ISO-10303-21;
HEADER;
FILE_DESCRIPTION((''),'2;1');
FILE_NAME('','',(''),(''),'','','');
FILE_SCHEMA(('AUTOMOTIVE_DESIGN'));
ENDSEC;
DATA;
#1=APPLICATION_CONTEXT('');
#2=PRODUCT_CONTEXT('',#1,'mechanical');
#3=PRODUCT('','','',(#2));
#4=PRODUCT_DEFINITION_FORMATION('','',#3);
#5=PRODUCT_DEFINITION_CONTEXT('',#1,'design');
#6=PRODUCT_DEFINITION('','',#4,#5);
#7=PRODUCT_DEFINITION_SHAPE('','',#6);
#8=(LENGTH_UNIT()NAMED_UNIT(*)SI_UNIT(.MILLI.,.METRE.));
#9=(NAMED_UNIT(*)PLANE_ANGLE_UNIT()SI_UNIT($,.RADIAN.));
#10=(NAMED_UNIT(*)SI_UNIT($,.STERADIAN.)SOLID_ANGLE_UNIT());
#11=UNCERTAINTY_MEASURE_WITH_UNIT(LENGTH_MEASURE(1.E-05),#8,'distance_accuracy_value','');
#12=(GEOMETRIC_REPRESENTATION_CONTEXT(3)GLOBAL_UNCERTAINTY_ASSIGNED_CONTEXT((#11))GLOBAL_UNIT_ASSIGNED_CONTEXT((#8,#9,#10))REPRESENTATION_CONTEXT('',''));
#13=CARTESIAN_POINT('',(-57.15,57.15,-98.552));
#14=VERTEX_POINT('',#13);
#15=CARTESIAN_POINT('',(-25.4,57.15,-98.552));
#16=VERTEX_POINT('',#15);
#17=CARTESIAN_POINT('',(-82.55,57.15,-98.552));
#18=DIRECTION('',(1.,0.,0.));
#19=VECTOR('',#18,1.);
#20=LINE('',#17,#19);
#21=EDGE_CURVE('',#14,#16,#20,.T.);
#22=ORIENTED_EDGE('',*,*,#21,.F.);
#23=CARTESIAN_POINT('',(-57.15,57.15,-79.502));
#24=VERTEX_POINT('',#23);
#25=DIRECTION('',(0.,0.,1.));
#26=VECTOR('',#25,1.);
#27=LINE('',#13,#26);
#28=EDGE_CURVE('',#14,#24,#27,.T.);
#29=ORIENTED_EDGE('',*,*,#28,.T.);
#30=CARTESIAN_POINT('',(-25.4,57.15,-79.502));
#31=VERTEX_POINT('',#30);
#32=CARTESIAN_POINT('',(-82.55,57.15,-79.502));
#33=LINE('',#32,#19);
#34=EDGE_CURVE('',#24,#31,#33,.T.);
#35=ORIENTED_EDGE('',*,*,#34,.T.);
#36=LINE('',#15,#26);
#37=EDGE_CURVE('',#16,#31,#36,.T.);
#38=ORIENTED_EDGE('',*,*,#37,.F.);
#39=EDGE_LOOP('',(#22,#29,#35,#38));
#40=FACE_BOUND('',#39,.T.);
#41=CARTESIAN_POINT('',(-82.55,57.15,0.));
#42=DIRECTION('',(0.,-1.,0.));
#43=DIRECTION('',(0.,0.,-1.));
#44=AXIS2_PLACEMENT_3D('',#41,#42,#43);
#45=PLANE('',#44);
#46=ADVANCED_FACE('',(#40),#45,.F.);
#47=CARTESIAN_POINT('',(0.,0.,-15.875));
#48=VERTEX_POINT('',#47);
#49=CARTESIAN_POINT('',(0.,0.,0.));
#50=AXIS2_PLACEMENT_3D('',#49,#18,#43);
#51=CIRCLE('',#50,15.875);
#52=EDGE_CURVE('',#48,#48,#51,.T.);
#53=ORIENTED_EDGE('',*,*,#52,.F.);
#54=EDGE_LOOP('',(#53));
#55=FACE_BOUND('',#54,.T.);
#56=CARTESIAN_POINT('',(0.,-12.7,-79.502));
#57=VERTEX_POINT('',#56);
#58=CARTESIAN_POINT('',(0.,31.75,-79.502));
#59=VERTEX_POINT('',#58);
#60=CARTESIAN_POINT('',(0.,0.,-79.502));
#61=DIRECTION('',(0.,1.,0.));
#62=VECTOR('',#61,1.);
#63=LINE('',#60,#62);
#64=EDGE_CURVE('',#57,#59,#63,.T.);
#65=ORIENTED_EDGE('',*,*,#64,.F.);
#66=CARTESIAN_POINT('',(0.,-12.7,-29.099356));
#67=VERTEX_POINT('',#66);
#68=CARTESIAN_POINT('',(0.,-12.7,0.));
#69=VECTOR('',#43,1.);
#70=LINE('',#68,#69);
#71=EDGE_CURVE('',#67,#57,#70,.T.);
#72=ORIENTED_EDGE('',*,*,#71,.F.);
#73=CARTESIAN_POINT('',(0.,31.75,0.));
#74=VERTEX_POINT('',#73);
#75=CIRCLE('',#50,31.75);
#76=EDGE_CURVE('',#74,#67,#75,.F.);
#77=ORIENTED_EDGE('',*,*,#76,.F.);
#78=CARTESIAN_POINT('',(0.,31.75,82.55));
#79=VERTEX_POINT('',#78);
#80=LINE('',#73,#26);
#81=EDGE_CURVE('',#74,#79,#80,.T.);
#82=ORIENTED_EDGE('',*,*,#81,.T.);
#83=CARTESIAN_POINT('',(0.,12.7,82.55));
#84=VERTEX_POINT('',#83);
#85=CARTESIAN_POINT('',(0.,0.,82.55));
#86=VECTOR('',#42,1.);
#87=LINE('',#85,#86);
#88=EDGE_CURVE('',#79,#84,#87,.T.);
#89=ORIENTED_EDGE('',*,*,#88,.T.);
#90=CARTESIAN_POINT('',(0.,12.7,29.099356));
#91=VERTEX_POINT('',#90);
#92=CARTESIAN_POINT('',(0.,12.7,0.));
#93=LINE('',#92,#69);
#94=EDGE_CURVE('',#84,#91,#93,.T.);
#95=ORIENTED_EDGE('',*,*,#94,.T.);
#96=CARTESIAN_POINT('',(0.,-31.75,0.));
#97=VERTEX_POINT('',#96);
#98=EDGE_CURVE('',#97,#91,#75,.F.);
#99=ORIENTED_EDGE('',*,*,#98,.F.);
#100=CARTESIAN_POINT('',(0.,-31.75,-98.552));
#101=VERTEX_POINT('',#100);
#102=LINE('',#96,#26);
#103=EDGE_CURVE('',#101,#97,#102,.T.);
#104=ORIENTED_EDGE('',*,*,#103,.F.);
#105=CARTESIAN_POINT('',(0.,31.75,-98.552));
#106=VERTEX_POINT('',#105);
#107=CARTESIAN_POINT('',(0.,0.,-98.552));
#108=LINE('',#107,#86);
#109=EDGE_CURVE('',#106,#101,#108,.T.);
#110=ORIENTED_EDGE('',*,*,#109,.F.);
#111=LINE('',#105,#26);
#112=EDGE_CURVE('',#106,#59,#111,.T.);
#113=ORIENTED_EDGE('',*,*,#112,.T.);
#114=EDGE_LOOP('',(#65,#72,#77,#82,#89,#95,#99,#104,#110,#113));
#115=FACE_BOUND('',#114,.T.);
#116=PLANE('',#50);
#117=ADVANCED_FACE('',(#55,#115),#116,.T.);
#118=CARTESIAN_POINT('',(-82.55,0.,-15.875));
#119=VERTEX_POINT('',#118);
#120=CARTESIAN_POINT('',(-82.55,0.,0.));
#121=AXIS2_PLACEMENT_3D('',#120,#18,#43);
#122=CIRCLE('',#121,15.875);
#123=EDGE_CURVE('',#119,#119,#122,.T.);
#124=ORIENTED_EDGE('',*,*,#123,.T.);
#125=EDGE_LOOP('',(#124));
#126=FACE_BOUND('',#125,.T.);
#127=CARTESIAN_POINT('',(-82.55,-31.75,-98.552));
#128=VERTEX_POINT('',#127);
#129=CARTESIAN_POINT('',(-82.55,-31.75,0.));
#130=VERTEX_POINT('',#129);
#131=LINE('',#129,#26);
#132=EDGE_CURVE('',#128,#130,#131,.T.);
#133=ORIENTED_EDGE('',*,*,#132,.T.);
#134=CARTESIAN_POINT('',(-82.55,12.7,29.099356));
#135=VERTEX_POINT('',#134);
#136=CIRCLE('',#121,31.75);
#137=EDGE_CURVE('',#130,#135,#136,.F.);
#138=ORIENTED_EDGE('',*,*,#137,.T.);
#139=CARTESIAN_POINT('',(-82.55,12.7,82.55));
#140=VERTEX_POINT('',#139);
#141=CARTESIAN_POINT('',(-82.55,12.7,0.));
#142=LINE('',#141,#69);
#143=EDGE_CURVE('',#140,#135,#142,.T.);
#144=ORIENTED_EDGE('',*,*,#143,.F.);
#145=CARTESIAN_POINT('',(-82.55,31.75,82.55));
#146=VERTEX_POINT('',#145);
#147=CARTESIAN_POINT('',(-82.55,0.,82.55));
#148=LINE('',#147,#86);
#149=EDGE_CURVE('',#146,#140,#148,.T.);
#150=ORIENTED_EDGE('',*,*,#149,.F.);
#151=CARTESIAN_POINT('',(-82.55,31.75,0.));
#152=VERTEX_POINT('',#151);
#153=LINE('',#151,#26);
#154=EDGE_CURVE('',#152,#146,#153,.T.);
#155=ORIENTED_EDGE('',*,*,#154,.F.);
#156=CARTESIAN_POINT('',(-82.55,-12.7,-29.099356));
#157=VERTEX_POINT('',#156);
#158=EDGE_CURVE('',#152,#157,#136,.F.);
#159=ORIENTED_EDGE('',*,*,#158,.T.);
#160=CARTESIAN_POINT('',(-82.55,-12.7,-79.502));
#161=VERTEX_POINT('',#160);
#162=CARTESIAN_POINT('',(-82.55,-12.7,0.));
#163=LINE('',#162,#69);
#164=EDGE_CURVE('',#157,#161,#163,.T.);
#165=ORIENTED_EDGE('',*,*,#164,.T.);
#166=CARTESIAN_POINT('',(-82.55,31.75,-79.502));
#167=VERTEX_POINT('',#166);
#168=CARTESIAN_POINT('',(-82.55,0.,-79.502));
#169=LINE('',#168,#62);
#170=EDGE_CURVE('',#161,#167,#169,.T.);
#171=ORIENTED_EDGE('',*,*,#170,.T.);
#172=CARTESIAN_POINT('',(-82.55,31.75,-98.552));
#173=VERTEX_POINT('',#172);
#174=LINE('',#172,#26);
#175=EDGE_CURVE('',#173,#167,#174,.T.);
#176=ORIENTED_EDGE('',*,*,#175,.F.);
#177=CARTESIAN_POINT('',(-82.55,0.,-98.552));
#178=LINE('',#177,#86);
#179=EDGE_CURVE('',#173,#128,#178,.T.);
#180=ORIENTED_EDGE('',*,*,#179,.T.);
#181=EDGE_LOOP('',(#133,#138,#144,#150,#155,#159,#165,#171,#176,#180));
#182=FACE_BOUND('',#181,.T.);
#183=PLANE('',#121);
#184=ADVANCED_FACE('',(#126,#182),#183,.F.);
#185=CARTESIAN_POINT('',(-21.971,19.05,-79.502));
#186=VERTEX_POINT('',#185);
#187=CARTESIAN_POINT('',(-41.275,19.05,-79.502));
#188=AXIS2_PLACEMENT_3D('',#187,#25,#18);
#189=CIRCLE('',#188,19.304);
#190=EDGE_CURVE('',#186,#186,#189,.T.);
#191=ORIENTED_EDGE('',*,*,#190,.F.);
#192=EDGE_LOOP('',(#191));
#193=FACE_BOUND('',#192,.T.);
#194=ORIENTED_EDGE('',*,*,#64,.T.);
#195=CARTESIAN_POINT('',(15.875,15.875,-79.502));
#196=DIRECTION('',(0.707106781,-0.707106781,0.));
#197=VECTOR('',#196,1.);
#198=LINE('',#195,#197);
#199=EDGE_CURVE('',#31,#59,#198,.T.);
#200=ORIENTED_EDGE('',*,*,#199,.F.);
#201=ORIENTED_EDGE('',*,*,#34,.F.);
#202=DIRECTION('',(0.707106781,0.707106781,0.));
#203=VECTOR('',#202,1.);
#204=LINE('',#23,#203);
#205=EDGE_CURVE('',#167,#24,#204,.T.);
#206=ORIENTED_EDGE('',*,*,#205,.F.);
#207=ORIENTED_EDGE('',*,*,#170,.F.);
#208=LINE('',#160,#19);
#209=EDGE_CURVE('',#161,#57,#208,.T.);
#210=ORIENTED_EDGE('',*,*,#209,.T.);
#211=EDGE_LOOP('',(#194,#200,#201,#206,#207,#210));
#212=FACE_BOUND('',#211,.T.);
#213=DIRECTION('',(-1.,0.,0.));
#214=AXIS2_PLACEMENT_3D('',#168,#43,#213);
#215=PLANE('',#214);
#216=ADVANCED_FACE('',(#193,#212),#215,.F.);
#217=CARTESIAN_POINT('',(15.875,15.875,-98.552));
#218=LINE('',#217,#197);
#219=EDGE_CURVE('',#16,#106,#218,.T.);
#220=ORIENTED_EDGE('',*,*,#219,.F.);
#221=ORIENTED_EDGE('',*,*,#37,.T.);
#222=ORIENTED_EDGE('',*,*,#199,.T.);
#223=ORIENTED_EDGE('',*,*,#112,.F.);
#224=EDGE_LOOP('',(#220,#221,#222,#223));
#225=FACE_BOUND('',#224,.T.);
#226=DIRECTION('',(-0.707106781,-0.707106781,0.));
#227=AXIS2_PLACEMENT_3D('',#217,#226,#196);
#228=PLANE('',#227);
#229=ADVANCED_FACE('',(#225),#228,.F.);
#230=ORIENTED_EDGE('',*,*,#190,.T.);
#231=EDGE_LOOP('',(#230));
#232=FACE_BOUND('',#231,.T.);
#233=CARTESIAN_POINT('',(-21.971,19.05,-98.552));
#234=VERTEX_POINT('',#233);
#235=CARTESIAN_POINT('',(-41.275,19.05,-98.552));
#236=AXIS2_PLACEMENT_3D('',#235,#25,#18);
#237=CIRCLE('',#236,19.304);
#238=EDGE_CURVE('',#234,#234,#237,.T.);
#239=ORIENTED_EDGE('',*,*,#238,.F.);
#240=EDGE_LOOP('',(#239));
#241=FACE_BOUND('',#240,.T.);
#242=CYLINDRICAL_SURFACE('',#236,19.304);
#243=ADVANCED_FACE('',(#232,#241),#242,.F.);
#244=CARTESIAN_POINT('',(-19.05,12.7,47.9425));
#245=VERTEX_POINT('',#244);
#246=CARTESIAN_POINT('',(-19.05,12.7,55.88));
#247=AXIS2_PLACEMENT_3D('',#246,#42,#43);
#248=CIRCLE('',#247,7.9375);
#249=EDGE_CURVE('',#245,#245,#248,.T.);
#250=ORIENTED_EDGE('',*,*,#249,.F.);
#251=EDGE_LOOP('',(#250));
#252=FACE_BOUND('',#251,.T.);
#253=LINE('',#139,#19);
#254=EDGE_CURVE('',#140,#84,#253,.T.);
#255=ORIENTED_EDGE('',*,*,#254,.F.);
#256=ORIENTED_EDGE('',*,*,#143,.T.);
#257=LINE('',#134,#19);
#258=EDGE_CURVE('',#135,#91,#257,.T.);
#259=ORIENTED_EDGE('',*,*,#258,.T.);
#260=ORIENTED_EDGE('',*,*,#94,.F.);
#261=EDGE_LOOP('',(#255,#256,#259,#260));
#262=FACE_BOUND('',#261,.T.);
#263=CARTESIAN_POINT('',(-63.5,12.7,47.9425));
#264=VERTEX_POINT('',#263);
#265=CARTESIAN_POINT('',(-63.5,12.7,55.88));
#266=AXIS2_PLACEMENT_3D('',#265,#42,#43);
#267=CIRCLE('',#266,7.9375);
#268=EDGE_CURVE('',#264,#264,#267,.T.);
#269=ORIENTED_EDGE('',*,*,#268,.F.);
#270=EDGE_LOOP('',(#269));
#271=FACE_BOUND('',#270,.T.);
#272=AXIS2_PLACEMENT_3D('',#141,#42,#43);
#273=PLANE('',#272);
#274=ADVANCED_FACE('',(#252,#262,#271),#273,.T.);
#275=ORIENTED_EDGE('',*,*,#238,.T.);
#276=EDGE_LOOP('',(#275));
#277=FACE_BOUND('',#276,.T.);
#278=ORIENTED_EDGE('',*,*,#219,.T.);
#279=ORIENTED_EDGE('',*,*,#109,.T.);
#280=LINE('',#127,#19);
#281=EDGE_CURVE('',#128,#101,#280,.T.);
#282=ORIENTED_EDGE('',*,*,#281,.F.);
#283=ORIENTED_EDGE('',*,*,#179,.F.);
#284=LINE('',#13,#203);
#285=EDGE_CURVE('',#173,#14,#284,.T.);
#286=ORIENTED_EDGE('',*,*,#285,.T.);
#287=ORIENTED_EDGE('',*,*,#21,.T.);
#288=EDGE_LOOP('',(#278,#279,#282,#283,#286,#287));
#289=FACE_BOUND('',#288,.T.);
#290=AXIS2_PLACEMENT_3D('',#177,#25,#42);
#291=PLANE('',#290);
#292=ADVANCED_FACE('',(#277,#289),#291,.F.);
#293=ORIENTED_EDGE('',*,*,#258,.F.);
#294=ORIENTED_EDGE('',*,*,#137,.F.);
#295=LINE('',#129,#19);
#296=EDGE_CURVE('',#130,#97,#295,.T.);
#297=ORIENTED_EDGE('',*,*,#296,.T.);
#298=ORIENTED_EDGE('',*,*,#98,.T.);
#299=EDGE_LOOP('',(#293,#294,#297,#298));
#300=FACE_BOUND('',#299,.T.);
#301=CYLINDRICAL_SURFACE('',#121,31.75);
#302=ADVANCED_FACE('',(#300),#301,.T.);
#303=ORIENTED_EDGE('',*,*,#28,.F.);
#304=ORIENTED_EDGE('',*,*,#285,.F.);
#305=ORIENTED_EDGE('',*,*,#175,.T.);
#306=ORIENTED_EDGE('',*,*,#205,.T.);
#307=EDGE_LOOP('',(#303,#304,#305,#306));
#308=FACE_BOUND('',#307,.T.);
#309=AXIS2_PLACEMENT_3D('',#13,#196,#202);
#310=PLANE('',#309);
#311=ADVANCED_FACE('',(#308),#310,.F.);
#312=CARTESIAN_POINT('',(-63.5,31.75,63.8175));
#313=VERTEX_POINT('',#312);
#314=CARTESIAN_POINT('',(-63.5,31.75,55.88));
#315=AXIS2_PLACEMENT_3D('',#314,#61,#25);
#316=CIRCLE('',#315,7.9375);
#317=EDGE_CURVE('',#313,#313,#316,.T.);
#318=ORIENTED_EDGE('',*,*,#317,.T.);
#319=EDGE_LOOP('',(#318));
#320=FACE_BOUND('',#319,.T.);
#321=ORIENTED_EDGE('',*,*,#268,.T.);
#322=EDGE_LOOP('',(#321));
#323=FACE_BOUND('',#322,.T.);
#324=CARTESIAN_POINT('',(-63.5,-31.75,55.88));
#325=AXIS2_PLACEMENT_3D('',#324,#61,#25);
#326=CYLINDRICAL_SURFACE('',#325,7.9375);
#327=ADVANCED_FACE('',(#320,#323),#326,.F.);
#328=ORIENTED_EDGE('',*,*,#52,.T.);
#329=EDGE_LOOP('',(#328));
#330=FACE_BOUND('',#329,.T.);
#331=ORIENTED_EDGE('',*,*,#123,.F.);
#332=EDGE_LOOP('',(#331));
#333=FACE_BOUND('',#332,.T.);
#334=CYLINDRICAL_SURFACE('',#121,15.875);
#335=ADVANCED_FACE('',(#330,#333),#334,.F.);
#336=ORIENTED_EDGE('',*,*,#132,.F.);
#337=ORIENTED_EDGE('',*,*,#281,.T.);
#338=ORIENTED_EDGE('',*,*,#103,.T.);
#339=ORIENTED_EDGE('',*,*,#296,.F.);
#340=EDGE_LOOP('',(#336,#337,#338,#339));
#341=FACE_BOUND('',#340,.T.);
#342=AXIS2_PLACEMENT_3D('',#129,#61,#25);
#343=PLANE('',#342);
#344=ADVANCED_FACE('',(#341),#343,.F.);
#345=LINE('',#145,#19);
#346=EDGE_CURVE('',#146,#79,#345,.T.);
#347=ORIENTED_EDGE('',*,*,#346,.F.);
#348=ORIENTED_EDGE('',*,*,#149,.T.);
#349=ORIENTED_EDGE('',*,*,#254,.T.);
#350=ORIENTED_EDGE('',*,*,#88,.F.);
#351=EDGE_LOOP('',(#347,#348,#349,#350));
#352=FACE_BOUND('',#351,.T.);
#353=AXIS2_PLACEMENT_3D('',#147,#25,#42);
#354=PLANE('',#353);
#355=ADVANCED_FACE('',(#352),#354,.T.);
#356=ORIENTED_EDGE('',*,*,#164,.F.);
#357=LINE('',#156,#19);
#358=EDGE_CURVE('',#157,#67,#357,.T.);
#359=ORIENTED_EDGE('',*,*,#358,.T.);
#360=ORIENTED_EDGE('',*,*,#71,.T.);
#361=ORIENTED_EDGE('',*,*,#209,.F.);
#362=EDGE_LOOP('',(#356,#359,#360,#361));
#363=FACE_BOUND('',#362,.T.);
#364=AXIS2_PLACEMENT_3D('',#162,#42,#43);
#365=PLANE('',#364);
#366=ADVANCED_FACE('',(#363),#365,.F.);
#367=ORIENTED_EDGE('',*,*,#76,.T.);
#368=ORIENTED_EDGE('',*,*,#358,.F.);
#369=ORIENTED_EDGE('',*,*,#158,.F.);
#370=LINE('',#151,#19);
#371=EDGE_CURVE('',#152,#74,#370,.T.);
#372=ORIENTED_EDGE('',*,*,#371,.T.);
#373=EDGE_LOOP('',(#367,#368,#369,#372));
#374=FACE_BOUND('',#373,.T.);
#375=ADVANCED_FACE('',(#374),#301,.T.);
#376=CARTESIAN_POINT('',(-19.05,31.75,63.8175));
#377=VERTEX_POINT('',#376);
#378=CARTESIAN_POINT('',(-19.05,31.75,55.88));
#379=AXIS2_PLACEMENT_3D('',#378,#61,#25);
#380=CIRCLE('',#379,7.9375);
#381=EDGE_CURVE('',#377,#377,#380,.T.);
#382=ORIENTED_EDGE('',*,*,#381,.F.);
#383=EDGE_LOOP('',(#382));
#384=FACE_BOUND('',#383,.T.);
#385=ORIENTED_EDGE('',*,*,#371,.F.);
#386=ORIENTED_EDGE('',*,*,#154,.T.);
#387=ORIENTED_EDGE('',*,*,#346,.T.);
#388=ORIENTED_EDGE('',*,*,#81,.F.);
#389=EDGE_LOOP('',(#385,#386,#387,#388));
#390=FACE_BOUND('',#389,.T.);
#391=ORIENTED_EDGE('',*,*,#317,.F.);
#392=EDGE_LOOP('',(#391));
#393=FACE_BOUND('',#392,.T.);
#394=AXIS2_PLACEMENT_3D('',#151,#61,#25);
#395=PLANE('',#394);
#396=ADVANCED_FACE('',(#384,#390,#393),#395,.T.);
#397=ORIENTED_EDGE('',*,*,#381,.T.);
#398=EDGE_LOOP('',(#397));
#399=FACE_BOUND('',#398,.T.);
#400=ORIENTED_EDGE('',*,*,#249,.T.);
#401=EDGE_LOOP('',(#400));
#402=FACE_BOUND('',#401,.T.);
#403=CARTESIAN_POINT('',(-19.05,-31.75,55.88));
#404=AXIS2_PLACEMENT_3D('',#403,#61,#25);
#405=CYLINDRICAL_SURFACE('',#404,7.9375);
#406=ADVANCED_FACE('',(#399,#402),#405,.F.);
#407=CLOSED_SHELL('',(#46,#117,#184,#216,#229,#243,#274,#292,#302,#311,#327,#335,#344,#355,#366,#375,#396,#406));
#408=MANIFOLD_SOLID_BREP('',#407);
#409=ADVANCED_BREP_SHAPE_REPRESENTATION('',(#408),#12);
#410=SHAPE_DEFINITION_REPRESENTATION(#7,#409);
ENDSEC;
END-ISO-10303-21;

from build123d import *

# Parameters (mm, degrees)
SKETCH2_R           = 15.875
BOSS_EXTRUDE1_DEPTH = 82.55
SKETCH4_R           = 7.9375
CUT_EXTRUDE1_DEPTH  = 144.384968543
SKETCH5_R           = 19.304
CUT_EXTRUDE2_DEPTH  = 191.634403254


with BuildPart() as part:
    # Sketch2 → Boss-Extrude1 (new body)
    with BuildSketch(Plane(origin=(0, 0, 0), x_dir=(0, 0, -1), z_dir=(1, 0, 0))):
        with BuildLine():
            ThreePointArc((0, -31.75), (-26.563955842, -17.390191201), (-29.099355663, 12.7))
            Line((-29.099355663, 12.7), (-82.55, 12.7))
            Line((-82.55, 12.7), (-82.55, 31.75))
            Line((-82.55, 31.75), (0, 31.75))
            ThreePointArc((0, 31.75), (26.563955842, 17.390191201), (29.099355663, -12.7))
            Line((29.099355663, -12.7), (79.502, -12.7))
            Line((79.502, -12.7), (79.502, 57.15))
            Line((79.502, 57.15), (98.552, 57.15))
            Line((98.552, 57.15), (98.552, -31.75))
            Line((98.552, -31.75), (0, -31.75))
        make_face()
        Circle(SKETCH2_R, mode=Mode.SUBTRACT)
    extrude(amount=-BOSS_EXTRUDE1_DEPTH)

    # Sketch4 → Cut-Extrude1 (cut, through all)
    with BuildSketch(Plane(origin=(0, 31.75, 0), x_dir=(1, 0, 0), z_dir=(0, 1, 0))):
        with Locations(Location((-63.5, -55.88, 0), (0, 0, 270))):
            Circle(SKETCH4_R)
        with Locations(Location((-19.05, -55.88, 0), (0, 0, 270))):
            Circle(SKETCH4_R)
    extrude(amount=-CUT_EXTRUDE1_DEPTH, mode=Mode.SUBTRACT)

    # Sketch5 → Cut-Extrude2 (cut, through all)
    with BuildSketch(Plane.XY.offset(-79.502)):
        Polygon((-82.55, 31.75), (-57.15, 57.15), (-82.55, 57.15), align=None)
        Polygon((-25.4, 57.15), (0, 31.75), (0, 57.15), align=None)
        with Locations((-41.275, 19.05)):
            Circle(SKETCH5_R)
    extrude(amount=-CUT_EXTRUDE2_DEPTH, mode=Mode.SUBTRACT)


solid = part.part
